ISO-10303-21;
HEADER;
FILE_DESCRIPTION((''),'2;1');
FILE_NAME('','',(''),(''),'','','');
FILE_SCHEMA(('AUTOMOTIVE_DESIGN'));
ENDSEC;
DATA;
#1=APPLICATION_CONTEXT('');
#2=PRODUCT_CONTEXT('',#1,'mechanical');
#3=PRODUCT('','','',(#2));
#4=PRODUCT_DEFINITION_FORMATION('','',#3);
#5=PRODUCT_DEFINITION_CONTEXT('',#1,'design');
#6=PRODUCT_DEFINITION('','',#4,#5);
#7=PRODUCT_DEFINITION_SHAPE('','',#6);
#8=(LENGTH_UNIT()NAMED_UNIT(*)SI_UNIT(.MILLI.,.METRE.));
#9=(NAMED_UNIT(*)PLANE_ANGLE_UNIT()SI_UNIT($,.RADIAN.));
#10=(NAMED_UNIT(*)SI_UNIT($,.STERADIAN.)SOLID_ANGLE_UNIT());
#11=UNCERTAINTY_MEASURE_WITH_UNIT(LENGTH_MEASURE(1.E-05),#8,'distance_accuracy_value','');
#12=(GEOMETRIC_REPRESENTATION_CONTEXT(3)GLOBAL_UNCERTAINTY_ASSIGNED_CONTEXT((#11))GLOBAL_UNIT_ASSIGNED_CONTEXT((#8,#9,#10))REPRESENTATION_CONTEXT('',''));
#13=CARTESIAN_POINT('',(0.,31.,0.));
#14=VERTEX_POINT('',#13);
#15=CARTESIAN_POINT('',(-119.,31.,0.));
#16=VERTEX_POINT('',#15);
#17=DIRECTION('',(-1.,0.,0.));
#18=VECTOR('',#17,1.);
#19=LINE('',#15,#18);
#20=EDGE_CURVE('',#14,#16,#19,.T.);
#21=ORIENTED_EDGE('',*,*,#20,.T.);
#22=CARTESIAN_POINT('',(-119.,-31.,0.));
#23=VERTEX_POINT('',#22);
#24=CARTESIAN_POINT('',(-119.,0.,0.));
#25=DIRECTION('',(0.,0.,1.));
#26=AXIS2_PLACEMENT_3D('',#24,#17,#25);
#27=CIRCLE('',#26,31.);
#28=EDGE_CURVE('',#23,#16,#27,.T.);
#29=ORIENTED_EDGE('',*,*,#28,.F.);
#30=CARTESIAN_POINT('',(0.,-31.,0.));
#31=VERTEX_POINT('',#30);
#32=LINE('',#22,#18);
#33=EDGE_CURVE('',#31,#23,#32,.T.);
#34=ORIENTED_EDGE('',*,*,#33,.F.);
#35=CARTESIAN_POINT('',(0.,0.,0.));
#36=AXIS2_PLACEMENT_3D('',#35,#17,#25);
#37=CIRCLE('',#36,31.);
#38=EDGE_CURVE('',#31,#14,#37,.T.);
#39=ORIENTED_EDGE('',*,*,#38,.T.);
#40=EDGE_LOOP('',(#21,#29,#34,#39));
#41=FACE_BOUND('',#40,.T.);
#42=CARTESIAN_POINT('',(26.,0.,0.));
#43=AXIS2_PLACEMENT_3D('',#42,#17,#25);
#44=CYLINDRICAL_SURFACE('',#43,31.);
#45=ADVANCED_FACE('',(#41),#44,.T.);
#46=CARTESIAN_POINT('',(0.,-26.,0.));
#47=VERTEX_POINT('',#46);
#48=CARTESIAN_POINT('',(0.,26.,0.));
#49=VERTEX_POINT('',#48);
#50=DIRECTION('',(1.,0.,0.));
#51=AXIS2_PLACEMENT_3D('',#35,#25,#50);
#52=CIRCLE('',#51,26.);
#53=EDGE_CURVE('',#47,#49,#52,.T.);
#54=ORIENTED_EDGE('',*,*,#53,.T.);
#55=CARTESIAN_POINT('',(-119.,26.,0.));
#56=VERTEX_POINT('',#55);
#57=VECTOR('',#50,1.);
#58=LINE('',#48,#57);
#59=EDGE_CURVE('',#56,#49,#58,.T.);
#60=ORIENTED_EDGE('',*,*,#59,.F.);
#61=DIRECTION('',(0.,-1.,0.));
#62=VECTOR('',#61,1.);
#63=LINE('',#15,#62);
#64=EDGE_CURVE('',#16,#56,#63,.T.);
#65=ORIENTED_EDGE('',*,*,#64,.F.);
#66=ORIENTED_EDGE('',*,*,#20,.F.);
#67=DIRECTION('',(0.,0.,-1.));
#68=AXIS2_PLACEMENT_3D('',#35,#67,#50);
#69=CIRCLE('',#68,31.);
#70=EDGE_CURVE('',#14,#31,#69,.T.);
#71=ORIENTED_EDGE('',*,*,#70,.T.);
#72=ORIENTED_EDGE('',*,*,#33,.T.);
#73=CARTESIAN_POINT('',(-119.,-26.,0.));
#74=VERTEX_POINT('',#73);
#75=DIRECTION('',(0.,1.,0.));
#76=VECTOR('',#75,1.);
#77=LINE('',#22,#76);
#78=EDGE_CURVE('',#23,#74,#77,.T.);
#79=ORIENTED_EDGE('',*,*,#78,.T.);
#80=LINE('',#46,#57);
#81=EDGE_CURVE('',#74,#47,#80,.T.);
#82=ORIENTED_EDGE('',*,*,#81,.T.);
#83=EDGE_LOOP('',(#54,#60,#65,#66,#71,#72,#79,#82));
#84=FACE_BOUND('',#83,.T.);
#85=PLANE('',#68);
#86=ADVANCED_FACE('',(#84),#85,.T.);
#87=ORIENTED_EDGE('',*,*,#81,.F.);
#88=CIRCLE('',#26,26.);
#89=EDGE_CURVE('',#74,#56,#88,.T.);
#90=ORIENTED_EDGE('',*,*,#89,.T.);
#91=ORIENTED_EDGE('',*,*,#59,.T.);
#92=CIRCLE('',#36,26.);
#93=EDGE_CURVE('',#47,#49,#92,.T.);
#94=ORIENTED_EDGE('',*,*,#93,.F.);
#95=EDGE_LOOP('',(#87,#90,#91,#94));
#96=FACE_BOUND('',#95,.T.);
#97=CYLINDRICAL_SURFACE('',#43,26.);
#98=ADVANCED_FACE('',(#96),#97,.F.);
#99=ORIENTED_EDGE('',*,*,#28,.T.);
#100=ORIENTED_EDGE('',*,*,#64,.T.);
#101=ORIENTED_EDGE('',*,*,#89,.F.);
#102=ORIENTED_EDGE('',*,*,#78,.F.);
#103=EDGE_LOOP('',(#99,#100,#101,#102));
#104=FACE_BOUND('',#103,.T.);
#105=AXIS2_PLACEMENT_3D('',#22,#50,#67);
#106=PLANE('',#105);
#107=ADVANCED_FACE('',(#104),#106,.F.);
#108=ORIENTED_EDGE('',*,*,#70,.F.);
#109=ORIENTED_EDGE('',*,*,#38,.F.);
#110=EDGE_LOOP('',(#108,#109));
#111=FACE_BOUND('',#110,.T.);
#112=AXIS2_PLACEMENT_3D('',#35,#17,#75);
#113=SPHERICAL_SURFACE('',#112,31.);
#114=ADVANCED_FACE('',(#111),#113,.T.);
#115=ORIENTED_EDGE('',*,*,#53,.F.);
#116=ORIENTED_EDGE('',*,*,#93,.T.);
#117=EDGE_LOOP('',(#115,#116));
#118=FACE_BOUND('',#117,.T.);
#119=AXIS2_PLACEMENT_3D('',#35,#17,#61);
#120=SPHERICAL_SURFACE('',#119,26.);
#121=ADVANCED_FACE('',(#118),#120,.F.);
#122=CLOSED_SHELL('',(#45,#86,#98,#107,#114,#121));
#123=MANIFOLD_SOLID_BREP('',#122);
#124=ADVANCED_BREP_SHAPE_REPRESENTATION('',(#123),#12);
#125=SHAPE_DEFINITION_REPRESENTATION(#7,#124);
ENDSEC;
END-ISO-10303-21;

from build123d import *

# Parameters (mm, degrees)
REVOLVE1_ANGLE = 180


with BuildPart() as part:
    # Sketch2 → Revolve1 (revolve)
    with BuildSketch(Plane.XY):
        with BuildLine():
            Line((26, 0), (31, 0))
            ThreePointArc((31, 0), (21.920310217, 21.920310217), (0, 31))
            Line((0, 31), (-119, 31))
            Line((-119, 31), (-119, 26))
            Line((-119, 26), (0, 26))
            ThreePointArc((0, 26), (18.384776311, 18.384776311), (26, 0))
        make_face()
    revolve(axis=Axis((26, 0, 0), (1, 0, 0)), revolution_arc=REVOLVE1_ANGLE)


solid = part.part
